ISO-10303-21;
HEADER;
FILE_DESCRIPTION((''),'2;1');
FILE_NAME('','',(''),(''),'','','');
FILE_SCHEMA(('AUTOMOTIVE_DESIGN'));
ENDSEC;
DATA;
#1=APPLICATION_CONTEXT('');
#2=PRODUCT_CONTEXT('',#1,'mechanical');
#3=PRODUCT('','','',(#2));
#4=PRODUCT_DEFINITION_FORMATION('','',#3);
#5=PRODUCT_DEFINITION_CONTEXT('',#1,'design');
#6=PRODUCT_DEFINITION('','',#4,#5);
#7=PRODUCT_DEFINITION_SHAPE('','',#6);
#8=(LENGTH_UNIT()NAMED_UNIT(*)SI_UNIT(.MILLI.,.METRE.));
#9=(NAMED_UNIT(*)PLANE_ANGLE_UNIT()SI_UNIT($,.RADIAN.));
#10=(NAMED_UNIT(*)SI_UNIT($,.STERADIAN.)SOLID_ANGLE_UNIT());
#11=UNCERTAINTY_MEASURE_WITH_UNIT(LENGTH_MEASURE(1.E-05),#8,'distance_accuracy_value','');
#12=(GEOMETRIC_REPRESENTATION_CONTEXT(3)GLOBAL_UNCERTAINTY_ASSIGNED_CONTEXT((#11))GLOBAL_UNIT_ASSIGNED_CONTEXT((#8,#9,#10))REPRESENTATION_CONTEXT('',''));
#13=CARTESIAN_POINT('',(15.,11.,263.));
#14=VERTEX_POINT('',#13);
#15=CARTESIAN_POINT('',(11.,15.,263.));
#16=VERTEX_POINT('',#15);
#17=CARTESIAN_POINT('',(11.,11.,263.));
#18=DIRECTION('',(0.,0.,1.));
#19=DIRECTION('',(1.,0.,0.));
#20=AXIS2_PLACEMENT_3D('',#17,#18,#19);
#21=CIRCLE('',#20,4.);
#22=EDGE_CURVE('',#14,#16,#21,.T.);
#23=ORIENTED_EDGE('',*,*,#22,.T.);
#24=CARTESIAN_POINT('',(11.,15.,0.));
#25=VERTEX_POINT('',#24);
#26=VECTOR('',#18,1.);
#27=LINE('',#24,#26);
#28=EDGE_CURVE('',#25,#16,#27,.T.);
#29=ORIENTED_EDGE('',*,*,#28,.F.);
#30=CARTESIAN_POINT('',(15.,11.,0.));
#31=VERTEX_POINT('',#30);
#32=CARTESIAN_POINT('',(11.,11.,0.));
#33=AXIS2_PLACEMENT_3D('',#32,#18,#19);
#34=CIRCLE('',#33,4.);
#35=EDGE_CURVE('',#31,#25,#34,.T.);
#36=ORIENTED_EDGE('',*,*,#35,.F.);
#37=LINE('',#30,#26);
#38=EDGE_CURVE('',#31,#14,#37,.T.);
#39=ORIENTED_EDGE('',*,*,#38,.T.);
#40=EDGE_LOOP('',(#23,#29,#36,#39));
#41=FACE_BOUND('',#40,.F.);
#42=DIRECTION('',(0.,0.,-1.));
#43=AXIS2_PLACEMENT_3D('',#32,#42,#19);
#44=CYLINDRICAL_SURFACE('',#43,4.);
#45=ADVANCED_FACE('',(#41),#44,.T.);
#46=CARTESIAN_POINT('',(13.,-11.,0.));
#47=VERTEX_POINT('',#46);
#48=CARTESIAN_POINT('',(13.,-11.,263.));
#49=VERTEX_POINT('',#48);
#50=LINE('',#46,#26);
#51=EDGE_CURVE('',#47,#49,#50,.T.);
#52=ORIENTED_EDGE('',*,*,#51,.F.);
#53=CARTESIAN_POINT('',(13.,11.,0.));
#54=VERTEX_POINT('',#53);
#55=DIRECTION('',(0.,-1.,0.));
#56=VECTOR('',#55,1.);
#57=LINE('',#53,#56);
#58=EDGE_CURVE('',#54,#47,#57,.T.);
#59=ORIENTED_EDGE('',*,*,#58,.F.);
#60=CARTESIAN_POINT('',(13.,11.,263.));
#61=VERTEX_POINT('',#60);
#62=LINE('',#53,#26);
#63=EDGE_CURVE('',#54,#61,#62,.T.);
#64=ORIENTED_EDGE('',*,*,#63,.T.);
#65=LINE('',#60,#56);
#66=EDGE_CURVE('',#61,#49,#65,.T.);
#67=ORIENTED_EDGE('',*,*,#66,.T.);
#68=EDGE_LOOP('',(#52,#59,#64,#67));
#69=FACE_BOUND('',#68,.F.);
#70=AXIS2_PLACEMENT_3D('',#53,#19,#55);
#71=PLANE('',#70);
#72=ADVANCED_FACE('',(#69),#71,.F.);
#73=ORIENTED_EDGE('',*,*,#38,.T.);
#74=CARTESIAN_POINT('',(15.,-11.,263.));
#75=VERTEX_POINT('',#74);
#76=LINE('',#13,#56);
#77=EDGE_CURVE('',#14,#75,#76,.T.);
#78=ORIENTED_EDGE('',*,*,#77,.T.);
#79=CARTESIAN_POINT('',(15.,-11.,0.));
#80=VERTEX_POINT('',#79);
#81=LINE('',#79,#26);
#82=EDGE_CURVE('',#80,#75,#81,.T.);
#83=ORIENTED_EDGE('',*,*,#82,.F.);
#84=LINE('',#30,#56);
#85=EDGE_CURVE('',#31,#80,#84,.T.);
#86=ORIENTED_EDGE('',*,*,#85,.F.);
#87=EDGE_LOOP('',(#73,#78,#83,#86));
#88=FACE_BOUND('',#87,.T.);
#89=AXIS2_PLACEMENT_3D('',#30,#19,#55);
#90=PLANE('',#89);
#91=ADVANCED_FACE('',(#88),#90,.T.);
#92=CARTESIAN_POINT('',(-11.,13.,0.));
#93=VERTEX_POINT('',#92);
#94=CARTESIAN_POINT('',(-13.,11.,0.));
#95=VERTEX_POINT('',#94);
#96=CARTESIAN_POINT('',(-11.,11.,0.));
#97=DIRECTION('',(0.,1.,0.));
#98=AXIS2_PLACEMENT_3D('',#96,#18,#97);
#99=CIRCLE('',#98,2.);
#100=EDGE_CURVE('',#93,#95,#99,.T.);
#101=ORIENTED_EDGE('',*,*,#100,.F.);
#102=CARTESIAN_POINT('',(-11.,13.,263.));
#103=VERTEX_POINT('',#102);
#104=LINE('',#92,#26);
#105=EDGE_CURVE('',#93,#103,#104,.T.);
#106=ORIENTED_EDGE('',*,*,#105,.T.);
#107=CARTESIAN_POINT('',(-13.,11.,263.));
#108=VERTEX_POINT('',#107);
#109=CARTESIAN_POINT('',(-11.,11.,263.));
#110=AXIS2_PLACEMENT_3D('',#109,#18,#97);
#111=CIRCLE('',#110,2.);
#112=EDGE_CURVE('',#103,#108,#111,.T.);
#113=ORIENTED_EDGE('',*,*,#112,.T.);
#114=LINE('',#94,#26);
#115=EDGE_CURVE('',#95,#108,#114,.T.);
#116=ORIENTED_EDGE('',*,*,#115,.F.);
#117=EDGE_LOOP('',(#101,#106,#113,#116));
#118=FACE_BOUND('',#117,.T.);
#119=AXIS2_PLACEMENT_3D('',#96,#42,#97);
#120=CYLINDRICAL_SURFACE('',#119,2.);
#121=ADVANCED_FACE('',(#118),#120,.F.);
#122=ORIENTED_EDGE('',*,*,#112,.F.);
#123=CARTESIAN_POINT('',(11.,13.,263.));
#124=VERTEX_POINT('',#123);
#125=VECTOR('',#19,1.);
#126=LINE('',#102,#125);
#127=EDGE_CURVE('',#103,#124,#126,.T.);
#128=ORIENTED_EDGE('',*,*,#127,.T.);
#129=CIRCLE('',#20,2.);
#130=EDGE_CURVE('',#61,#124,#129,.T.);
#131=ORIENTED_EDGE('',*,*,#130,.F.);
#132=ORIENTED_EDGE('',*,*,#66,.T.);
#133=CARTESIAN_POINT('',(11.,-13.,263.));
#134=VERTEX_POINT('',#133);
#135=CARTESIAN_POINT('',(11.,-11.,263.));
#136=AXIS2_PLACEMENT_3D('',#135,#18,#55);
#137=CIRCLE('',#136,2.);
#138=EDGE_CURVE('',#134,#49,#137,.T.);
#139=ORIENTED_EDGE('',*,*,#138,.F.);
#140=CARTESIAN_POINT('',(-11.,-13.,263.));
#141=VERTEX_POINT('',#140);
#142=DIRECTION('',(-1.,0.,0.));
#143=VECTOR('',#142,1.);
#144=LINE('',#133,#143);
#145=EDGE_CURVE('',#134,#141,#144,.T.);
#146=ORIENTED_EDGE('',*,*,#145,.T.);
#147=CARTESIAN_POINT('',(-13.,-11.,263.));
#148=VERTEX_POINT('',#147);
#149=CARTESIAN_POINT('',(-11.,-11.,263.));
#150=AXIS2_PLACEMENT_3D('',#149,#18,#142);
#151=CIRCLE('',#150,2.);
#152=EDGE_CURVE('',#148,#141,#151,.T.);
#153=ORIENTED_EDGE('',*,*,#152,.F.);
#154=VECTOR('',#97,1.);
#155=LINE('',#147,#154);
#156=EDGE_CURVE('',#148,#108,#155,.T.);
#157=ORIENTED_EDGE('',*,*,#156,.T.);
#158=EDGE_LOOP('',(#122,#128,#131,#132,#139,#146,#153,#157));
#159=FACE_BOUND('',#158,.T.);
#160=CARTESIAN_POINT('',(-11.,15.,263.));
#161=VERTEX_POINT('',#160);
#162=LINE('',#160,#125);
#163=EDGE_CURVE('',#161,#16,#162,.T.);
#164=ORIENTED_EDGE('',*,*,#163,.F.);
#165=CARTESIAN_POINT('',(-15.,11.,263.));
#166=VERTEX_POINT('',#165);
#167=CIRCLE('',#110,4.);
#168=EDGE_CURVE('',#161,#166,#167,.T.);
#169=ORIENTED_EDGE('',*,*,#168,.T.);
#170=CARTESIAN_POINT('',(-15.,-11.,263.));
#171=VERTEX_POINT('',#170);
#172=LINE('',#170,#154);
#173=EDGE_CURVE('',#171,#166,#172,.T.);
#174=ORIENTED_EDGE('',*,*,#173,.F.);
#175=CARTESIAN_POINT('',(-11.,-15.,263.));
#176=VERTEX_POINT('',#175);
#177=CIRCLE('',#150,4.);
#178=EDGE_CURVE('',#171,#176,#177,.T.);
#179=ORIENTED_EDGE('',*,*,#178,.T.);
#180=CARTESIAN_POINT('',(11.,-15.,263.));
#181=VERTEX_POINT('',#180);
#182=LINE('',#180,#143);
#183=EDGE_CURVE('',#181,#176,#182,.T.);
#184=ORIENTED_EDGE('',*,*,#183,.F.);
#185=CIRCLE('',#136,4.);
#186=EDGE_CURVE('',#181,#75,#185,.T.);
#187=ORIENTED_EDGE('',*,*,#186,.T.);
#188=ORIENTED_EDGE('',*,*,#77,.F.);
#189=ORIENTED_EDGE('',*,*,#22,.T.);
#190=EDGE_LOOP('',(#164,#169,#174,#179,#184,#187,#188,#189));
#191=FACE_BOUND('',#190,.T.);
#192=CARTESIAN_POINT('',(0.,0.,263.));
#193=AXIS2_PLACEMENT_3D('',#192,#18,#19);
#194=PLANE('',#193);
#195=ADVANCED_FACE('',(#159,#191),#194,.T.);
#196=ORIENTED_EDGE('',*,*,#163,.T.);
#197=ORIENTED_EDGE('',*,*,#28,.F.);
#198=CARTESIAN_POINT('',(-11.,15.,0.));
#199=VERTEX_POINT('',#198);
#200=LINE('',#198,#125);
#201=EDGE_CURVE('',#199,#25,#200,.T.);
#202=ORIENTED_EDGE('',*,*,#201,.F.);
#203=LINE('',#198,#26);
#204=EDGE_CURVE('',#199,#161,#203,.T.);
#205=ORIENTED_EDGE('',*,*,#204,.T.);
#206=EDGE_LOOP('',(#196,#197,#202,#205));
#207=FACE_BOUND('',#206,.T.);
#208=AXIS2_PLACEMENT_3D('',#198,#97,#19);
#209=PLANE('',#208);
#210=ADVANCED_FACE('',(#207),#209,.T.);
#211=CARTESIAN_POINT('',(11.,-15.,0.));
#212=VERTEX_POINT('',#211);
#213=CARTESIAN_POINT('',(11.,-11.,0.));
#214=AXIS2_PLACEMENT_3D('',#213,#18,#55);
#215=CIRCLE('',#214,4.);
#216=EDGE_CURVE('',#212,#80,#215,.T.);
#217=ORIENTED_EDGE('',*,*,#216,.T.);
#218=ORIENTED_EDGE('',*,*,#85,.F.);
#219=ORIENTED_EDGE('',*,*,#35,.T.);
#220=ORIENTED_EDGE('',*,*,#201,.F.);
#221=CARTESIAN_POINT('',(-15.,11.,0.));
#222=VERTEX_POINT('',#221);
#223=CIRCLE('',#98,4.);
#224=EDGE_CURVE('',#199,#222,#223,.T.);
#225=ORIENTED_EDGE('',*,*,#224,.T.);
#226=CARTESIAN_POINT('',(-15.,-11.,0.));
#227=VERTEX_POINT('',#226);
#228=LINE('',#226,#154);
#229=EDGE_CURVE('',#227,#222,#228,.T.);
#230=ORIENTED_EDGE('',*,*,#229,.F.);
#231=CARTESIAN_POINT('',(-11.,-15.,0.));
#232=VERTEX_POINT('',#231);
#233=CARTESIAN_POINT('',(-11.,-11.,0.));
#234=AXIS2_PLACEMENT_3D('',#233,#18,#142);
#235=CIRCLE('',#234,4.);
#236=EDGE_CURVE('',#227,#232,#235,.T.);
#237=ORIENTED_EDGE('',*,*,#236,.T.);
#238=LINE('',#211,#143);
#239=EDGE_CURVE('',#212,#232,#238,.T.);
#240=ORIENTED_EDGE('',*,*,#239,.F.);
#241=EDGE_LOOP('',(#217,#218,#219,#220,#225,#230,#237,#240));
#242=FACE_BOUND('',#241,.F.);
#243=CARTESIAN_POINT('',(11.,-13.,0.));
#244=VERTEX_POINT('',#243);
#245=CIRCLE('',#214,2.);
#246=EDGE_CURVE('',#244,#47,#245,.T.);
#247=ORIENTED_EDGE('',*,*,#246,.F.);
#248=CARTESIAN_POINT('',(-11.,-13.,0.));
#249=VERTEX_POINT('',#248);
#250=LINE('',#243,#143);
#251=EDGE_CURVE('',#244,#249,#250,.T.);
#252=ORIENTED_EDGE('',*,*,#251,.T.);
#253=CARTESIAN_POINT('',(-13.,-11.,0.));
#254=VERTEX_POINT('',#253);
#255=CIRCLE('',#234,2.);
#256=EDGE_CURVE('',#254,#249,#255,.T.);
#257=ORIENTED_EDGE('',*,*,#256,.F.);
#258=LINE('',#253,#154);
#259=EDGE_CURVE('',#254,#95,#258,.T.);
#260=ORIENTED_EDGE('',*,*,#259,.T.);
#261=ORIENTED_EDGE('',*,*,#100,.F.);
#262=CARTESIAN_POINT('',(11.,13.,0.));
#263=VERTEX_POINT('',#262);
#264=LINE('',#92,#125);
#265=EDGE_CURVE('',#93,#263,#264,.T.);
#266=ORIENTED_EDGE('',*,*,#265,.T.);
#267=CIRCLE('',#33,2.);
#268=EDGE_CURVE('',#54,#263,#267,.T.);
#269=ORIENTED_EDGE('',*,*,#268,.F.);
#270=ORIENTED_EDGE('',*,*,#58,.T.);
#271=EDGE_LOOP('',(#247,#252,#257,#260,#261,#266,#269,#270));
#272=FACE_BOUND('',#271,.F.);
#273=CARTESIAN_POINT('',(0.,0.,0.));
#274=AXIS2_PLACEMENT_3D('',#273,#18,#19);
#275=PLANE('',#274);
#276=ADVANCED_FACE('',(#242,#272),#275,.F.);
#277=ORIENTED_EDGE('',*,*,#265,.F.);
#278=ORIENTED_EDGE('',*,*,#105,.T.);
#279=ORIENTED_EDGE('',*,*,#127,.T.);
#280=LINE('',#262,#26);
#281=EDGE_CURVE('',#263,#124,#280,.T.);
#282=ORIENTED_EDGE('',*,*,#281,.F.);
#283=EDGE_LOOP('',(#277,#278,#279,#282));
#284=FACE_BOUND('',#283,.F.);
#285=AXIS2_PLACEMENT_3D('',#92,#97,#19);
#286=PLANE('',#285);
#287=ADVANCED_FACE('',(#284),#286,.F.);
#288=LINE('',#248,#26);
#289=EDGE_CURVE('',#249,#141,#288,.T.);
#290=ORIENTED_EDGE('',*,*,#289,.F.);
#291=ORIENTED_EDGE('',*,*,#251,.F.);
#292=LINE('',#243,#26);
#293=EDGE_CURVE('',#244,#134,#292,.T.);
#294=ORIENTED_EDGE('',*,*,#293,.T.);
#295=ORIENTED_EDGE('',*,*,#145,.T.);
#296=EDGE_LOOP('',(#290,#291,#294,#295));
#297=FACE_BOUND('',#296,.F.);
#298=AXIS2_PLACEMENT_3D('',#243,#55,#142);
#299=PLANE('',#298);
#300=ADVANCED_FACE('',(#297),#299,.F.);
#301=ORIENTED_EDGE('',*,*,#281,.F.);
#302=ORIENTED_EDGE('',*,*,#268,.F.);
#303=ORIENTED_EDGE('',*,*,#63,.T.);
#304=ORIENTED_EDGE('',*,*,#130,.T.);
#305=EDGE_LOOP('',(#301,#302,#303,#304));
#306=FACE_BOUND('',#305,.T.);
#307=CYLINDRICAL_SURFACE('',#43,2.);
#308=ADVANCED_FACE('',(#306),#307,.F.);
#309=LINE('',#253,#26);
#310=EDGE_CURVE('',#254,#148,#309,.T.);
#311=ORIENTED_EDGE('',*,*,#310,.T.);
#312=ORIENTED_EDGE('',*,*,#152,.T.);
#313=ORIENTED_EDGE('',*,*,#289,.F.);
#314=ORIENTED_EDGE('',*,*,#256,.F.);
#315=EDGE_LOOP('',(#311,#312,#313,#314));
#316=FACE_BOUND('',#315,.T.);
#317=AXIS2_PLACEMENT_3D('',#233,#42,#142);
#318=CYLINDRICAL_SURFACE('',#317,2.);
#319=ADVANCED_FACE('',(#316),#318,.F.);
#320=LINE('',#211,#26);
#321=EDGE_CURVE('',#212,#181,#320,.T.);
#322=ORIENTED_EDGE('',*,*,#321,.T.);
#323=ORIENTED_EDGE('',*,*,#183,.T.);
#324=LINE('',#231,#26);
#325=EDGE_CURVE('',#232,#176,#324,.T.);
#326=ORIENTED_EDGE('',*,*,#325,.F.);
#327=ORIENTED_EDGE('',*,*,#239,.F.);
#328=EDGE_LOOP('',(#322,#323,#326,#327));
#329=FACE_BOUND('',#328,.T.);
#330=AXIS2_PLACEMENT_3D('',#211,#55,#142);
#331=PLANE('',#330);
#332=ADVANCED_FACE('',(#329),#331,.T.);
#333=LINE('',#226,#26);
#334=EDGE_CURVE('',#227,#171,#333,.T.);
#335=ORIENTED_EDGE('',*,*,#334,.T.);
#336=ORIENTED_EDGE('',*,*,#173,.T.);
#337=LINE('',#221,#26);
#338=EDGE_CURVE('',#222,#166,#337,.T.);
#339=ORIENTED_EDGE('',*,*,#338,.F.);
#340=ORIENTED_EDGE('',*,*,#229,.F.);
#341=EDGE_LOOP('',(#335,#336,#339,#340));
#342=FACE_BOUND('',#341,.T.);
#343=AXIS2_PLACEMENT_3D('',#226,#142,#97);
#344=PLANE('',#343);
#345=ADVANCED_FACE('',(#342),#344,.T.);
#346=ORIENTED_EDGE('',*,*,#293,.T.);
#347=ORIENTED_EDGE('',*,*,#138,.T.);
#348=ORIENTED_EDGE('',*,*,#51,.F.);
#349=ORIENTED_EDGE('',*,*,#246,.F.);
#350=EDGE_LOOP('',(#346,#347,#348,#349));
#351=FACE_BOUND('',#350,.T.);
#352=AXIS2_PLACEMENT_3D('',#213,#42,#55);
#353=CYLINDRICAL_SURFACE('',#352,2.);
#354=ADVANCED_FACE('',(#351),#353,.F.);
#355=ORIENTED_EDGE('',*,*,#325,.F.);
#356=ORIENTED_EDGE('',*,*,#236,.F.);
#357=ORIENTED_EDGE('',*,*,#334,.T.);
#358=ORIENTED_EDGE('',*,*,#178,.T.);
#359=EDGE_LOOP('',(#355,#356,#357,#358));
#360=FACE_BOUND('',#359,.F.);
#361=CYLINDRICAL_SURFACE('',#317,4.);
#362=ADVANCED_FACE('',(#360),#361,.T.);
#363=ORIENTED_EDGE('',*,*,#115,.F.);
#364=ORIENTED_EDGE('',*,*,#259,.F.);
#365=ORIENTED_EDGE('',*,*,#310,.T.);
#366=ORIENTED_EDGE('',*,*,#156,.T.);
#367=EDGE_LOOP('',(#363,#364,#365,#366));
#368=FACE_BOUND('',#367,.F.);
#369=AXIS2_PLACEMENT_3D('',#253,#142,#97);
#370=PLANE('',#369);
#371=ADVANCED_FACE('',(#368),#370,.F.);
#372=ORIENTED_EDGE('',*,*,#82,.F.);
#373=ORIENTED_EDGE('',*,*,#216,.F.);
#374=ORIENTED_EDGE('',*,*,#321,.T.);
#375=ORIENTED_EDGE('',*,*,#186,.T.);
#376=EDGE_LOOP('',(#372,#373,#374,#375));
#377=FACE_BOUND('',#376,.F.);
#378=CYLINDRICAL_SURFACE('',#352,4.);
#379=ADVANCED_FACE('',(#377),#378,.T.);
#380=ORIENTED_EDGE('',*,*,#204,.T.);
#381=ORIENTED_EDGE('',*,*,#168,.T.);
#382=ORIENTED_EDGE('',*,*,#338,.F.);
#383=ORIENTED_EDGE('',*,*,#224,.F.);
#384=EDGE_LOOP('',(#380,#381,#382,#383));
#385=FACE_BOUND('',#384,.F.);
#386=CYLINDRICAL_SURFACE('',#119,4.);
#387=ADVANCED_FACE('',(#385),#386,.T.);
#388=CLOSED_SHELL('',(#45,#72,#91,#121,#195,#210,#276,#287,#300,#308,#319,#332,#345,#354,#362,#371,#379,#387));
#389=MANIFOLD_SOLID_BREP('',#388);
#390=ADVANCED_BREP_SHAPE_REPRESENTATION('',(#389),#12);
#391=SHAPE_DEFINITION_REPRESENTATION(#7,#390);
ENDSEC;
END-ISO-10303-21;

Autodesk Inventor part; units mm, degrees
ref_plane "YZ Plane" through (0, 0, 0) normal (1, 0, 0) x (0, 1, 0)
ref_plane "Plan de départ" through (0, 0, 0) normal (0, 0, 1) x (1, 0, 0)
ref_plane "Plan de fin" through (0, 0, 263) normal (0, 0, 1) x (1, 0, 0)
sketch "Esquisse" plane through (0, 0, 0) normal (0, 0, 1) x (1, 0, 0)
  line L0 (-15, -11) -> (-15, 11)
  line L1 (-11, 15) -> (11, 15)
  line L2 (15, 11) -> (15, -11)
  line L3 (11, -15) -> (-11, -15)
  arc A0 (-15, -11) -> (-11, -15) centre (-11, -11) ccw
  arc A1 (15, 11) -> (11, 15) centre (11, 11) ccw
  arc A2 (-11, 15) -> (-15, 11) centre (-11, 11) ccw
  arc A3 (11, -15) -> (15, -11) centre (11, -11) ccw
  arc A4 (-11, 13) -> (-13, 11) centre (-11, 11) ccw
  line L4 (-11, 13) -> (11, 13)
  arc A5 (13, 11) -> (11, 13) centre (11, 11) ccw
  line L5 (13, 11) -> (13, -11)
  arc A6 (11, -13) -> (13, -11) centre (11, -11) ccw
  line L6 (11, -13) -> (-11, -13)
  arc A7 (-13, -11) -> (-11, -13) centre (-11, -11) ccw
  line L7 (-13, -11) -> (-13, 11)
  line L8 (0, 22.1598) -> (0, -22.1598) construction
  line L9 (-22.1598, 0) -> (22.1598, 0) construction
  dimension "d7" = 4
  dimension "d9" = 30
  dimension "d11" = 30
  dimension "d12" = 2
  dimension "d15" = 15
  dimension "d16" = 15
extrude "Corps" add sketch "Esquisse" along normal up to surface (263 mm away) from surface at 0
sketch "Sketch3" plane through (0, 0, 0) normal (0, 0, 1) x (1, 0, 0)
  line L0 (0, 0) -> (10, 0)
ref_plane "Work Plane3" through (0, 0, 0) normal (0, -1, 0) x (1, 0, 0)
sketch "Sketch4" plane through (0, 0, 0) normal (0, -1, 0) x (1, 0, 0)
  line L0 (-2, 0) -> (12, 0) projected
  line L1 (-2, 263) -> (12, 263) projected
  dimension "d18" = 263
equation "\"d7\" = G_IR"
equation "\"d9\" = G_W"
equation "\"d11\" = G_H"
equation "\"d12\" = G_T"
equation "\"d15\" = 0.5 * d9"
equation "\"d16\" = 0.5 * d11"
equation "\"d3\" = G_L"
equation "\"G_W\" = 30"
equation "\"G_H\" = 30"
equation "\"G_T\" = 2"
equation "\"G_IR\" = 4"
equation "\"G_L\" = d18"
equation "\"G_OFFSET_START\" = 0"
equation "\"G_OFFSET_END\" = 0"
equation "\"d14\" = G_OFFSET_END + B_L"
equation "\"B_L\" = 263"
properties part number "ISO 10799-2 - 30x30x2 - 263" material "Acier, doux"
